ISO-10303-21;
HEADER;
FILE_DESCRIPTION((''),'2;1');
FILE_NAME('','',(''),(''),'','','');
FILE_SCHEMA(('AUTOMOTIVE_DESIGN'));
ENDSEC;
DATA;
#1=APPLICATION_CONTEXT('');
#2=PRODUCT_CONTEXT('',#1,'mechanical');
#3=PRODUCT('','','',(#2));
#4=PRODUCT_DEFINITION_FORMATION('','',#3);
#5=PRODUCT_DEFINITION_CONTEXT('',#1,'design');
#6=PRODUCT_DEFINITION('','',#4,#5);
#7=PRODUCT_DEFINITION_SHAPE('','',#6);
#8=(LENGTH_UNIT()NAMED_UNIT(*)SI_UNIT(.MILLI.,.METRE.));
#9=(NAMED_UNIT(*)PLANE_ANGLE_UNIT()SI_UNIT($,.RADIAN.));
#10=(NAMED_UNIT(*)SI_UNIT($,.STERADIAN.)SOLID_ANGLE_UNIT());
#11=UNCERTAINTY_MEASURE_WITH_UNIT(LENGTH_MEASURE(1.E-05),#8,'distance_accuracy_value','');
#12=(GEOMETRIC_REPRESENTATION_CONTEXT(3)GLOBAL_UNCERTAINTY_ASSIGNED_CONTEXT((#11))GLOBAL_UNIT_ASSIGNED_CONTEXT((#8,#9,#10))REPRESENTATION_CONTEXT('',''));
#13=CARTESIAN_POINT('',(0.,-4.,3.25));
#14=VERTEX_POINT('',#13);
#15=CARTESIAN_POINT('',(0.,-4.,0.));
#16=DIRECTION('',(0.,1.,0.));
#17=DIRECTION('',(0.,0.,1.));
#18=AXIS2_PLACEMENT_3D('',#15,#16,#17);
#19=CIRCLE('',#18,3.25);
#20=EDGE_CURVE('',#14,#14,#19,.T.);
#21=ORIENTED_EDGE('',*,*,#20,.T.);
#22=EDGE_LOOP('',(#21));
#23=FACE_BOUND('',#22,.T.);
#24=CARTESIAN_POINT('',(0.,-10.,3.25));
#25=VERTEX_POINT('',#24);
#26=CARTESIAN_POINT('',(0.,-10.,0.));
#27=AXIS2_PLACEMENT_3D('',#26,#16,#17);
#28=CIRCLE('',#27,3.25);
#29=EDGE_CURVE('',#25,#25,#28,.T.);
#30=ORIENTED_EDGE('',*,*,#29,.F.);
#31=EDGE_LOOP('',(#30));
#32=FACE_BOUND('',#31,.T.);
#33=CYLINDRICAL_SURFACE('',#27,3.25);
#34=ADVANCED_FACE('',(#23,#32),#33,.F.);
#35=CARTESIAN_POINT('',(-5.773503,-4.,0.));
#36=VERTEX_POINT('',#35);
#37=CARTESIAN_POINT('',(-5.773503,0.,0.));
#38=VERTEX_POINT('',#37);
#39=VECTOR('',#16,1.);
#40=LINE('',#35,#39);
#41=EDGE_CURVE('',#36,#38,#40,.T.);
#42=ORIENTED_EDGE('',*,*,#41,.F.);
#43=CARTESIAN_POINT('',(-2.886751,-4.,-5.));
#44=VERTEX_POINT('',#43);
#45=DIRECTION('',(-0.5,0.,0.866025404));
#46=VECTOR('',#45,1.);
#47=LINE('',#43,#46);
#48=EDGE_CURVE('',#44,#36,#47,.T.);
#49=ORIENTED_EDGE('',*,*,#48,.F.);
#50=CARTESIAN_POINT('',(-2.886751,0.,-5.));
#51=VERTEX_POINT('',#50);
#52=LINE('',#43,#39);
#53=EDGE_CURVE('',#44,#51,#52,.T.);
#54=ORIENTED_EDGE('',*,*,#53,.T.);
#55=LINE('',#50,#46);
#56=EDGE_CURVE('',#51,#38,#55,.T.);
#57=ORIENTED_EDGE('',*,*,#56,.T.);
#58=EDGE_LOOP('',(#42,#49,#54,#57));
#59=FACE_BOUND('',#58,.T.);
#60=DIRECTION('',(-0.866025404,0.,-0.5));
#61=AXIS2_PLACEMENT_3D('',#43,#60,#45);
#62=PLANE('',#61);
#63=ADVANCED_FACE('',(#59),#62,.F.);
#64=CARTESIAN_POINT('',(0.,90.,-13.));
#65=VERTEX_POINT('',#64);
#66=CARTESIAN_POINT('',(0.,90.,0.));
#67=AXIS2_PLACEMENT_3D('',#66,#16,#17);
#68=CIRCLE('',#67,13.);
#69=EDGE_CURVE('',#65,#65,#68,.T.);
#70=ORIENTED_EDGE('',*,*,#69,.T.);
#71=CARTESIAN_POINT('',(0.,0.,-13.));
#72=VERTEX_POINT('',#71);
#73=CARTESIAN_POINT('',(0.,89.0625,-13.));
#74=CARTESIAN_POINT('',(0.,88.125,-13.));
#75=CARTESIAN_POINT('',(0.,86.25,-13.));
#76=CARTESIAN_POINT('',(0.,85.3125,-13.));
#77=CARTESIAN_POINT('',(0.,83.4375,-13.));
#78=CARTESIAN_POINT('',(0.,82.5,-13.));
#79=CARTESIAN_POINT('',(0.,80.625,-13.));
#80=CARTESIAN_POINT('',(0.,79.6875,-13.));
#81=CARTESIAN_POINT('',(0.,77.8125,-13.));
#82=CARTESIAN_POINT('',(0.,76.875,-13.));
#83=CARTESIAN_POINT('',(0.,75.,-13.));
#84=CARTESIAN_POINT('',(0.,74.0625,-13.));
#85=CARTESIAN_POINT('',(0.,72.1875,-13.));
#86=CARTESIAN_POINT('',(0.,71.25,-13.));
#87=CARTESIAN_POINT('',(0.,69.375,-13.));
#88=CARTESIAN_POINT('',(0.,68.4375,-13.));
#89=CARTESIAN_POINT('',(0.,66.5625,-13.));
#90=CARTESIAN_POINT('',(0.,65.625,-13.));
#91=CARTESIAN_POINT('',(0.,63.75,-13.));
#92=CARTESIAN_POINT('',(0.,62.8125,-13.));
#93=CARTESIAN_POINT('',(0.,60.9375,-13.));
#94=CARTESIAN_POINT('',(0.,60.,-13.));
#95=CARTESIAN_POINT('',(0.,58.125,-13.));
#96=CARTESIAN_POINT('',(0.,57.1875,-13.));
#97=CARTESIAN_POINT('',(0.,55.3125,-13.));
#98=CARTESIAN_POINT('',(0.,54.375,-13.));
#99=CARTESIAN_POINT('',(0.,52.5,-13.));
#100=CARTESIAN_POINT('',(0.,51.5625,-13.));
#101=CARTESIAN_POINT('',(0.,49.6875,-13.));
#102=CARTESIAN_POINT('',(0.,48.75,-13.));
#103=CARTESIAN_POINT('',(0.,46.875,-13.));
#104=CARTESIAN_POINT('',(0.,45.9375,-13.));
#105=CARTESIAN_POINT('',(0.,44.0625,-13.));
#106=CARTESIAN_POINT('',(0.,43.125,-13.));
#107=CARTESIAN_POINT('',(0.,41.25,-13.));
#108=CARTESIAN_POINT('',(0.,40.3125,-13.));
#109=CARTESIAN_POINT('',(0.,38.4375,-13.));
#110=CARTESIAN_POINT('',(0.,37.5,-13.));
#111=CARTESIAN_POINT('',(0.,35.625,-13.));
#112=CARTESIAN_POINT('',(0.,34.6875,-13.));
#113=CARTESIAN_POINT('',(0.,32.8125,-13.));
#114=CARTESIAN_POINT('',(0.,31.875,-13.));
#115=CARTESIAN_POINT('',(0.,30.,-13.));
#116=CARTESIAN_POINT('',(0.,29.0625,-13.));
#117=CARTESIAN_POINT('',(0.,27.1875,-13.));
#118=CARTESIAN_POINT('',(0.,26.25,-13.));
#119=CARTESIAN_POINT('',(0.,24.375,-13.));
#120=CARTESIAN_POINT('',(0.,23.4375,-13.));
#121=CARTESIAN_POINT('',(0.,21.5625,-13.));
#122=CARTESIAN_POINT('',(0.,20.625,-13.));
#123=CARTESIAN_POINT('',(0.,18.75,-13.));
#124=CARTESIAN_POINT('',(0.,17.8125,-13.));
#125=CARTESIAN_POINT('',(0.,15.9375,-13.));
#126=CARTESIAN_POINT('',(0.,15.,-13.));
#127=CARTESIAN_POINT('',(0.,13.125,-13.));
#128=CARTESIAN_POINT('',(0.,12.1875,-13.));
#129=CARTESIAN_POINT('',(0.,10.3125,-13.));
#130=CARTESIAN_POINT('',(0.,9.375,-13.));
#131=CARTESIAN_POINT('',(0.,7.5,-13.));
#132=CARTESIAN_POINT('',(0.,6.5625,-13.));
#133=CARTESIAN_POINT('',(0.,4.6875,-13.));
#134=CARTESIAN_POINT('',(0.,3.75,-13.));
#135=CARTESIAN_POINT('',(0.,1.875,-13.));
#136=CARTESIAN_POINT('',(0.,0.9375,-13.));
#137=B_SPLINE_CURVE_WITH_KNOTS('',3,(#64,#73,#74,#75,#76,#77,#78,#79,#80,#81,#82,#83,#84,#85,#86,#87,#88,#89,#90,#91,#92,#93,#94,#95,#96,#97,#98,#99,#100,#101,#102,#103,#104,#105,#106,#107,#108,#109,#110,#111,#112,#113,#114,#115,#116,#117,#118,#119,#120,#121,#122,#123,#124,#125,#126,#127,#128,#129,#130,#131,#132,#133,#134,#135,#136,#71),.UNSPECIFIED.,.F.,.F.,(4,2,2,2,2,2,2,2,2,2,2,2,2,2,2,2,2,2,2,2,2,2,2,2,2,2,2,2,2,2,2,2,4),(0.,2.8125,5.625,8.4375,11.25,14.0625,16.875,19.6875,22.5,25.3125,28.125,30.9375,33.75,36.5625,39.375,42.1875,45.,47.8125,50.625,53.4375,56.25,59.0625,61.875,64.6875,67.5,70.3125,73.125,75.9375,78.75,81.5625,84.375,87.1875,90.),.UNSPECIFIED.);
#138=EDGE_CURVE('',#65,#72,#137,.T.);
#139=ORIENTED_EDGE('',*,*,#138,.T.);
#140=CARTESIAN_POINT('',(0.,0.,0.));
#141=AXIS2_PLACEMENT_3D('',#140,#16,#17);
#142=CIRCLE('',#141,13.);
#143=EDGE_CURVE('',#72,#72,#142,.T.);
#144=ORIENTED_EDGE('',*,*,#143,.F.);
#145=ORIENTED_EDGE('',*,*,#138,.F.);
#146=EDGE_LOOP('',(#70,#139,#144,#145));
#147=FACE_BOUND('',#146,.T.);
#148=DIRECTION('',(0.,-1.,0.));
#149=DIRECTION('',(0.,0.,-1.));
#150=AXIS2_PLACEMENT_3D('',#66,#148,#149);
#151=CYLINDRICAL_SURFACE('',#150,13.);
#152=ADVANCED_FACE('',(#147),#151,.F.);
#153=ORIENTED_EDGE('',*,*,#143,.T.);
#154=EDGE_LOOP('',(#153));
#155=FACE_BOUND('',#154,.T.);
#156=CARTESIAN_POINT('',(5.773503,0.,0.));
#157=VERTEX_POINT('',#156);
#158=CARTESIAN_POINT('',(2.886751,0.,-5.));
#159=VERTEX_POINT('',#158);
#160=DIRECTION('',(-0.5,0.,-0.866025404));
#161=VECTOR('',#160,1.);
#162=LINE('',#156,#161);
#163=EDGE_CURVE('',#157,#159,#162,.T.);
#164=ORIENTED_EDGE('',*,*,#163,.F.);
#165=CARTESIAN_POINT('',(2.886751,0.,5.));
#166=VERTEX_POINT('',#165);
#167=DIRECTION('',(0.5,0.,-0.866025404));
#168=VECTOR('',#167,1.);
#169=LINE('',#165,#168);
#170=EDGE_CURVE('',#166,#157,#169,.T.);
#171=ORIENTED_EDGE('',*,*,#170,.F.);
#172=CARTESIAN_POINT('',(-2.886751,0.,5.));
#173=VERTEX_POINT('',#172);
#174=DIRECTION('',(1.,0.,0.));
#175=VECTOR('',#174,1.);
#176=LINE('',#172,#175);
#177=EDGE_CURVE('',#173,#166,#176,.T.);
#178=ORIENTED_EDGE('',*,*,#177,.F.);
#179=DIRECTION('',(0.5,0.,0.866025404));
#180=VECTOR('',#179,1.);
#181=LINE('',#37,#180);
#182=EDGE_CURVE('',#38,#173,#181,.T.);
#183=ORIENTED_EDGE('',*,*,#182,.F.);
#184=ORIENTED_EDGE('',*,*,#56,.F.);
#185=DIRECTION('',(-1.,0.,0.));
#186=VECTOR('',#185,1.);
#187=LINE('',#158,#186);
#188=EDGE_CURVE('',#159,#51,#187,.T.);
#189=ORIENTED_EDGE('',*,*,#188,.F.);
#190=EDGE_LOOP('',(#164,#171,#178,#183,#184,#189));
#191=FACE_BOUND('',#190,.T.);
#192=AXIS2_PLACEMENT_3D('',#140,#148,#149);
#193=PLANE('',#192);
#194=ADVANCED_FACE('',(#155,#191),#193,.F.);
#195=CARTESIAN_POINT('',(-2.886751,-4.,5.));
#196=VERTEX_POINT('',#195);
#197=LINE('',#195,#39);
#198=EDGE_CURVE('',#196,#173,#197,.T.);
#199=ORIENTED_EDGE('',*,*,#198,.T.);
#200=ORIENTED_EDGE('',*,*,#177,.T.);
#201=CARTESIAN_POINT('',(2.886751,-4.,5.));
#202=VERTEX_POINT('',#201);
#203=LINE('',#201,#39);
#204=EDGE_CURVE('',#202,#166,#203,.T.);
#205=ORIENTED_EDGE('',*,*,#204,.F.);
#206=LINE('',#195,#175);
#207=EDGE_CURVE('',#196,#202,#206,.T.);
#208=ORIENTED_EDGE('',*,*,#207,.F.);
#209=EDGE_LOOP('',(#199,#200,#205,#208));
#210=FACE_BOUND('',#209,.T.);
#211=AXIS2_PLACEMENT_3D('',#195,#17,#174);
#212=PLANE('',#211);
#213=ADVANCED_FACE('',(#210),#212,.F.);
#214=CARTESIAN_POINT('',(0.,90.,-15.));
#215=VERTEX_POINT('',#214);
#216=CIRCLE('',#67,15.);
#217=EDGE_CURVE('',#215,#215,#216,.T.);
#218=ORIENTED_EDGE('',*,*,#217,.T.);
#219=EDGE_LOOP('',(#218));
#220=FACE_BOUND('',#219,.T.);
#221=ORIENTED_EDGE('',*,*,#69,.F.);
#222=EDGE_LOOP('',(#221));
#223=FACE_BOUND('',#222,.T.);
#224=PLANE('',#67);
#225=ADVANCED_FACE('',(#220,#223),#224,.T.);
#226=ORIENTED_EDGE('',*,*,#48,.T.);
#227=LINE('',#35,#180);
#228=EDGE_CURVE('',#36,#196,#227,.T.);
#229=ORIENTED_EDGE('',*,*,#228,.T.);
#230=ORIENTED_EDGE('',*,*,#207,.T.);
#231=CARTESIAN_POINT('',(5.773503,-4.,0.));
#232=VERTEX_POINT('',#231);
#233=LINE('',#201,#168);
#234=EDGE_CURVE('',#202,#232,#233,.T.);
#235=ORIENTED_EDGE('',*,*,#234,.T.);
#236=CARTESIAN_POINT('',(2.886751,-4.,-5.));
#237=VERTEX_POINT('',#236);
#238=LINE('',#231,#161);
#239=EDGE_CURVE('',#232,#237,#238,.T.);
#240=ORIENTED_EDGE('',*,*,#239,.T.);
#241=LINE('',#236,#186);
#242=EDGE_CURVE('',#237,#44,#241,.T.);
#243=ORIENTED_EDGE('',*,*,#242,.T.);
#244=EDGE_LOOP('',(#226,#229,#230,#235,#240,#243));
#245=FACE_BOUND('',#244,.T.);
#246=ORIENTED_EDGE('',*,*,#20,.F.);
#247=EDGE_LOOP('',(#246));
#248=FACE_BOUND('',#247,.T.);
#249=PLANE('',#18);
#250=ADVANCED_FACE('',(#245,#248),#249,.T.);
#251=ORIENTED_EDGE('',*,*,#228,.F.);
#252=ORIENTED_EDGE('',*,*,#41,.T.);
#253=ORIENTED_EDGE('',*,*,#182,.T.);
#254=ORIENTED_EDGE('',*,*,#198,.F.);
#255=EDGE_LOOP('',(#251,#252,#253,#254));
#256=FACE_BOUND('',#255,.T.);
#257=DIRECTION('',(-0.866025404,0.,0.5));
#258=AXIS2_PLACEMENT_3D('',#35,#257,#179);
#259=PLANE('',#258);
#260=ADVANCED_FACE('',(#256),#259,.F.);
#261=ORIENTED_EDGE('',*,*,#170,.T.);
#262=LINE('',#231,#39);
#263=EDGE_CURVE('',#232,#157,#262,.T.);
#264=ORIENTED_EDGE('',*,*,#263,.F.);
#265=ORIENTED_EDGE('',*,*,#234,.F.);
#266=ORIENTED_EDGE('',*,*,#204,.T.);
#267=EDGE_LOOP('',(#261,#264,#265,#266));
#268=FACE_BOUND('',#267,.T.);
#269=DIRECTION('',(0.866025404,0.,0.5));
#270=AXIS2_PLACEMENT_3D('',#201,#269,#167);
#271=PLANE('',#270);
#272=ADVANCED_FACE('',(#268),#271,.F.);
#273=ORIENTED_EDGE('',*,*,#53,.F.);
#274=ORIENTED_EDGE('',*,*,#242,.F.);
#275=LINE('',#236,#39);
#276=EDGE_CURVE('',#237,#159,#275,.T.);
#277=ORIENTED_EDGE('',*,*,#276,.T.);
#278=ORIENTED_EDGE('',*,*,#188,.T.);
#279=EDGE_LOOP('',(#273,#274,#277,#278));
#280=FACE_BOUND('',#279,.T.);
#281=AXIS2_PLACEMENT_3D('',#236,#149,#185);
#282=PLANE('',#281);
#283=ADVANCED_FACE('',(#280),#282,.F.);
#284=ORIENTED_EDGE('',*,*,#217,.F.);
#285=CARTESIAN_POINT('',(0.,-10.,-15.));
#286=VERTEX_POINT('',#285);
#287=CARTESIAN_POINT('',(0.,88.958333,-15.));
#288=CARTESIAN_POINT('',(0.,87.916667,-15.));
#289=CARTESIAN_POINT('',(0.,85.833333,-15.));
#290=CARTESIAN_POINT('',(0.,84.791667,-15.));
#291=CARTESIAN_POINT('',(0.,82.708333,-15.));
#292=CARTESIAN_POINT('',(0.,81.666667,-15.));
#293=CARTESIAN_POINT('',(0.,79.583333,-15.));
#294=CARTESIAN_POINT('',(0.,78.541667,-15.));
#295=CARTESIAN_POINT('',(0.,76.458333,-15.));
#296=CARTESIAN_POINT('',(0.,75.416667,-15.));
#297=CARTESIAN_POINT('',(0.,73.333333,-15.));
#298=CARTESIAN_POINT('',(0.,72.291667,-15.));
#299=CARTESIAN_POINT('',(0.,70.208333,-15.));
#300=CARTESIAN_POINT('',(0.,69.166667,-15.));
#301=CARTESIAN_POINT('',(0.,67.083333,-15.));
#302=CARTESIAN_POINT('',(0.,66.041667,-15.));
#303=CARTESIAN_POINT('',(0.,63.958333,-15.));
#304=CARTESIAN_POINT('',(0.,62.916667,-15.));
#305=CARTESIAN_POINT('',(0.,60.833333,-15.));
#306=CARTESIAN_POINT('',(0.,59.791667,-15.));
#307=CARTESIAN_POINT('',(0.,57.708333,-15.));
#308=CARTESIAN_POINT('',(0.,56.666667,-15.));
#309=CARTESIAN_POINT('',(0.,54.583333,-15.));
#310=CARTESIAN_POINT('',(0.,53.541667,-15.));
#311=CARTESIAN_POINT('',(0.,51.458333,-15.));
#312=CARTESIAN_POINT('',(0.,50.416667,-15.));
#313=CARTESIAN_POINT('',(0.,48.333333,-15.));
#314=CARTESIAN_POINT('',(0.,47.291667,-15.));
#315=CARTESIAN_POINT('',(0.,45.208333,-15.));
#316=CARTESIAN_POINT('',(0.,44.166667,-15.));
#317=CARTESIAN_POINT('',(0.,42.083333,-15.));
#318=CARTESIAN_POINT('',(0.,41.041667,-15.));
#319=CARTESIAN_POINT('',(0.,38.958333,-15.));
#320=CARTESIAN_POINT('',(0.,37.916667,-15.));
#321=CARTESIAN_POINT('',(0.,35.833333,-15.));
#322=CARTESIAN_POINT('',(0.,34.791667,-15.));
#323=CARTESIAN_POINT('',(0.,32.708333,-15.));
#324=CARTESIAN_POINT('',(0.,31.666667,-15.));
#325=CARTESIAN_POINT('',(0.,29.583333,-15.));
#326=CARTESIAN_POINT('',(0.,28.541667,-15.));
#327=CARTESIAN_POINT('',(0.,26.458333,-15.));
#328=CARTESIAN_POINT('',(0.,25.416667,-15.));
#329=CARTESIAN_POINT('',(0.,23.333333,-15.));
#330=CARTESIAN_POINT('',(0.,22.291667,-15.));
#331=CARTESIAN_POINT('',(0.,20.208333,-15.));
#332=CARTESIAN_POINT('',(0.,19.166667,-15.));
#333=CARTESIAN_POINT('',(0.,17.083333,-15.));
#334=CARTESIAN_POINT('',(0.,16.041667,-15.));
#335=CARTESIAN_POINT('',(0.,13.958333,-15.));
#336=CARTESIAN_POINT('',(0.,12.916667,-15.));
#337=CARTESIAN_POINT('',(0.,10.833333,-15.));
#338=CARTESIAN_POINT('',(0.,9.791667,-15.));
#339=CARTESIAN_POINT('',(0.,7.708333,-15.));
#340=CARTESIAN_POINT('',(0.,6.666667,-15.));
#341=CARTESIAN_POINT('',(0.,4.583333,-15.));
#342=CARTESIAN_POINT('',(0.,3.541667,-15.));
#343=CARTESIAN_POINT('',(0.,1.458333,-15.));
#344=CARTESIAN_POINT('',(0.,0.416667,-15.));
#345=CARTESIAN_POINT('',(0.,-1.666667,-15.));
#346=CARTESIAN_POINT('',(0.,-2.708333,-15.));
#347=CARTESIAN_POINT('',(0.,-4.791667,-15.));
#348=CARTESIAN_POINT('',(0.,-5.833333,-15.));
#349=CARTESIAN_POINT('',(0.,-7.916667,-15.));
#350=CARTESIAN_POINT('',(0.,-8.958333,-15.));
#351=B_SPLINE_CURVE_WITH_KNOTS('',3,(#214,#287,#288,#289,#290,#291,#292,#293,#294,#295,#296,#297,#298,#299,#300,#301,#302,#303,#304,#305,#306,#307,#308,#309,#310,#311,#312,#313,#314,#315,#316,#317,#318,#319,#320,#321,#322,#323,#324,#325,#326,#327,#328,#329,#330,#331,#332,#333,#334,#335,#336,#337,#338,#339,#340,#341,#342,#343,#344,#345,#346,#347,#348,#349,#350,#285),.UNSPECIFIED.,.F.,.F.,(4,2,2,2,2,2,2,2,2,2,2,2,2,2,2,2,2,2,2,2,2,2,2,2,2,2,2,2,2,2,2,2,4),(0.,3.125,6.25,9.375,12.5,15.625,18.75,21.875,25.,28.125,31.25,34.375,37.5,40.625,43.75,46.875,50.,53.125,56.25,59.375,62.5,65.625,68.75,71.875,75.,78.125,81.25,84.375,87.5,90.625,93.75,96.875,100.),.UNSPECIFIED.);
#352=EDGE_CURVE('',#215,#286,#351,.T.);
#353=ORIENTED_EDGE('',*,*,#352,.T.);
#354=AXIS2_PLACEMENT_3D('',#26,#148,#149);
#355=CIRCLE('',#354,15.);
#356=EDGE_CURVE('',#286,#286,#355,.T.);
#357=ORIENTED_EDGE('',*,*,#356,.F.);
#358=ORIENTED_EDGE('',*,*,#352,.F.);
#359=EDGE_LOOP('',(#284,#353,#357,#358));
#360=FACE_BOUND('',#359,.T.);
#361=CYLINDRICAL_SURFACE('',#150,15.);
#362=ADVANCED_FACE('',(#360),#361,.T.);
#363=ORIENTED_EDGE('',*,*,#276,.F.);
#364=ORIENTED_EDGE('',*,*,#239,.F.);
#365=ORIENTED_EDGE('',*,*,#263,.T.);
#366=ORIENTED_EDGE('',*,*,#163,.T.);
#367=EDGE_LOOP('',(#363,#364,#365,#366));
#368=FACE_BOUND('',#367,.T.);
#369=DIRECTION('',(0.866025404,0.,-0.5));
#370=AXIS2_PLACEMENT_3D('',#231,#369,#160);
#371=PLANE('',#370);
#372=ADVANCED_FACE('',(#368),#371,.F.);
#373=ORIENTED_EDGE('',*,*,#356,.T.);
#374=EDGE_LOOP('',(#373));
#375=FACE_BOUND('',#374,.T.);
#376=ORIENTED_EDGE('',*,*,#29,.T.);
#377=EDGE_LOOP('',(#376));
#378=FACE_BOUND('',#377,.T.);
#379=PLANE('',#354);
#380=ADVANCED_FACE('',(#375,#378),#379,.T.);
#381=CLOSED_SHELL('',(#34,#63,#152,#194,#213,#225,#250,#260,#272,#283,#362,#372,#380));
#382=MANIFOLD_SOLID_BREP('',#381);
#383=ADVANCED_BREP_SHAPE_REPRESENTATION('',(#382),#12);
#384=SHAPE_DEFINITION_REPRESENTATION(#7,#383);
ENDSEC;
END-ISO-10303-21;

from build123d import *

# Parameters (mm, degrees)
SKETCH_1_R          = 15
SKETCH_1_R_2        = 13
EXTRUDE_1_DEPTH     = 90
EXTRUDE_START       = 10
SKETCH_2_R          = 15
EXTRUDE_2_DEPTH     = 10
CUT_EXTRUDE_1_DEPTH = 4
SKETCH_4_R          = 3.25
CUT_EXTRUDE_2_DEPTH = 97.363893653


with BuildPart() as part:
    # Эскиз1 → Бобышка-Вытянуть1 (new body)
    with BuildSketch(Plane(origin=(0, 0, 0), x_dir=(1, 0, 0), z_dir=(0, 1, 0))):
        with Locations(Location((0, 0, 0), (0, 0, 90))):
            Circle(SKETCH_1_R)
        with Locations(Location((0, 0, 0), (0, 0, 90))):
            Circle(SKETCH_1_R_2, mode=Mode.SUBTRACT)
    extrude(amount=EXTRUDE_1_DEPTH)

    # Эскиз2 → Бобышка-Вытянуть2 (add)
    with BuildSketch(Plane.XZ.offset(EXTRUDE_START)):
        with Locations(Location((0, 0, 0), (0, 0, 270))):
            Circle(SKETCH_2_R)
    extrude(amount=-EXTRUDE_2_DEPTH)

    # Эскиз3 → Вырез-Вытянуть1 (cut)
    with BuildSketch(Plane(origin=(0, 0, 0), x_dir=(1, 0, 0), z_dir=(0, 1, 0))):
        Polygon((2.886751346, 5), (-2.886751346, 5), (-5.773502692, 0), (-2.886751346, -5), (2.886751346, -5), (5.773502692, 0), align=None)
    extrude(amount=-CUT_EXTRUDE_1_DEPTH, mode=Mode.SUBTRACT)

    # Эскиз4 → Вырез-Вытянуть2 (cut, through all)
    with BuildSketch(Plane(origin=(0, -4, 0), x_dir=(1, 0, 0), z_dir=(0, 1, 0))):
        with Locations(Location((0, 0, 0), (0, 0, 270))):
            Circle(SKETCH_4_R)
    extrude(amount=-CUT_EXTRUDE_2_DEPTH, mode=Mode.SUBTRACT)


solid = part.part
